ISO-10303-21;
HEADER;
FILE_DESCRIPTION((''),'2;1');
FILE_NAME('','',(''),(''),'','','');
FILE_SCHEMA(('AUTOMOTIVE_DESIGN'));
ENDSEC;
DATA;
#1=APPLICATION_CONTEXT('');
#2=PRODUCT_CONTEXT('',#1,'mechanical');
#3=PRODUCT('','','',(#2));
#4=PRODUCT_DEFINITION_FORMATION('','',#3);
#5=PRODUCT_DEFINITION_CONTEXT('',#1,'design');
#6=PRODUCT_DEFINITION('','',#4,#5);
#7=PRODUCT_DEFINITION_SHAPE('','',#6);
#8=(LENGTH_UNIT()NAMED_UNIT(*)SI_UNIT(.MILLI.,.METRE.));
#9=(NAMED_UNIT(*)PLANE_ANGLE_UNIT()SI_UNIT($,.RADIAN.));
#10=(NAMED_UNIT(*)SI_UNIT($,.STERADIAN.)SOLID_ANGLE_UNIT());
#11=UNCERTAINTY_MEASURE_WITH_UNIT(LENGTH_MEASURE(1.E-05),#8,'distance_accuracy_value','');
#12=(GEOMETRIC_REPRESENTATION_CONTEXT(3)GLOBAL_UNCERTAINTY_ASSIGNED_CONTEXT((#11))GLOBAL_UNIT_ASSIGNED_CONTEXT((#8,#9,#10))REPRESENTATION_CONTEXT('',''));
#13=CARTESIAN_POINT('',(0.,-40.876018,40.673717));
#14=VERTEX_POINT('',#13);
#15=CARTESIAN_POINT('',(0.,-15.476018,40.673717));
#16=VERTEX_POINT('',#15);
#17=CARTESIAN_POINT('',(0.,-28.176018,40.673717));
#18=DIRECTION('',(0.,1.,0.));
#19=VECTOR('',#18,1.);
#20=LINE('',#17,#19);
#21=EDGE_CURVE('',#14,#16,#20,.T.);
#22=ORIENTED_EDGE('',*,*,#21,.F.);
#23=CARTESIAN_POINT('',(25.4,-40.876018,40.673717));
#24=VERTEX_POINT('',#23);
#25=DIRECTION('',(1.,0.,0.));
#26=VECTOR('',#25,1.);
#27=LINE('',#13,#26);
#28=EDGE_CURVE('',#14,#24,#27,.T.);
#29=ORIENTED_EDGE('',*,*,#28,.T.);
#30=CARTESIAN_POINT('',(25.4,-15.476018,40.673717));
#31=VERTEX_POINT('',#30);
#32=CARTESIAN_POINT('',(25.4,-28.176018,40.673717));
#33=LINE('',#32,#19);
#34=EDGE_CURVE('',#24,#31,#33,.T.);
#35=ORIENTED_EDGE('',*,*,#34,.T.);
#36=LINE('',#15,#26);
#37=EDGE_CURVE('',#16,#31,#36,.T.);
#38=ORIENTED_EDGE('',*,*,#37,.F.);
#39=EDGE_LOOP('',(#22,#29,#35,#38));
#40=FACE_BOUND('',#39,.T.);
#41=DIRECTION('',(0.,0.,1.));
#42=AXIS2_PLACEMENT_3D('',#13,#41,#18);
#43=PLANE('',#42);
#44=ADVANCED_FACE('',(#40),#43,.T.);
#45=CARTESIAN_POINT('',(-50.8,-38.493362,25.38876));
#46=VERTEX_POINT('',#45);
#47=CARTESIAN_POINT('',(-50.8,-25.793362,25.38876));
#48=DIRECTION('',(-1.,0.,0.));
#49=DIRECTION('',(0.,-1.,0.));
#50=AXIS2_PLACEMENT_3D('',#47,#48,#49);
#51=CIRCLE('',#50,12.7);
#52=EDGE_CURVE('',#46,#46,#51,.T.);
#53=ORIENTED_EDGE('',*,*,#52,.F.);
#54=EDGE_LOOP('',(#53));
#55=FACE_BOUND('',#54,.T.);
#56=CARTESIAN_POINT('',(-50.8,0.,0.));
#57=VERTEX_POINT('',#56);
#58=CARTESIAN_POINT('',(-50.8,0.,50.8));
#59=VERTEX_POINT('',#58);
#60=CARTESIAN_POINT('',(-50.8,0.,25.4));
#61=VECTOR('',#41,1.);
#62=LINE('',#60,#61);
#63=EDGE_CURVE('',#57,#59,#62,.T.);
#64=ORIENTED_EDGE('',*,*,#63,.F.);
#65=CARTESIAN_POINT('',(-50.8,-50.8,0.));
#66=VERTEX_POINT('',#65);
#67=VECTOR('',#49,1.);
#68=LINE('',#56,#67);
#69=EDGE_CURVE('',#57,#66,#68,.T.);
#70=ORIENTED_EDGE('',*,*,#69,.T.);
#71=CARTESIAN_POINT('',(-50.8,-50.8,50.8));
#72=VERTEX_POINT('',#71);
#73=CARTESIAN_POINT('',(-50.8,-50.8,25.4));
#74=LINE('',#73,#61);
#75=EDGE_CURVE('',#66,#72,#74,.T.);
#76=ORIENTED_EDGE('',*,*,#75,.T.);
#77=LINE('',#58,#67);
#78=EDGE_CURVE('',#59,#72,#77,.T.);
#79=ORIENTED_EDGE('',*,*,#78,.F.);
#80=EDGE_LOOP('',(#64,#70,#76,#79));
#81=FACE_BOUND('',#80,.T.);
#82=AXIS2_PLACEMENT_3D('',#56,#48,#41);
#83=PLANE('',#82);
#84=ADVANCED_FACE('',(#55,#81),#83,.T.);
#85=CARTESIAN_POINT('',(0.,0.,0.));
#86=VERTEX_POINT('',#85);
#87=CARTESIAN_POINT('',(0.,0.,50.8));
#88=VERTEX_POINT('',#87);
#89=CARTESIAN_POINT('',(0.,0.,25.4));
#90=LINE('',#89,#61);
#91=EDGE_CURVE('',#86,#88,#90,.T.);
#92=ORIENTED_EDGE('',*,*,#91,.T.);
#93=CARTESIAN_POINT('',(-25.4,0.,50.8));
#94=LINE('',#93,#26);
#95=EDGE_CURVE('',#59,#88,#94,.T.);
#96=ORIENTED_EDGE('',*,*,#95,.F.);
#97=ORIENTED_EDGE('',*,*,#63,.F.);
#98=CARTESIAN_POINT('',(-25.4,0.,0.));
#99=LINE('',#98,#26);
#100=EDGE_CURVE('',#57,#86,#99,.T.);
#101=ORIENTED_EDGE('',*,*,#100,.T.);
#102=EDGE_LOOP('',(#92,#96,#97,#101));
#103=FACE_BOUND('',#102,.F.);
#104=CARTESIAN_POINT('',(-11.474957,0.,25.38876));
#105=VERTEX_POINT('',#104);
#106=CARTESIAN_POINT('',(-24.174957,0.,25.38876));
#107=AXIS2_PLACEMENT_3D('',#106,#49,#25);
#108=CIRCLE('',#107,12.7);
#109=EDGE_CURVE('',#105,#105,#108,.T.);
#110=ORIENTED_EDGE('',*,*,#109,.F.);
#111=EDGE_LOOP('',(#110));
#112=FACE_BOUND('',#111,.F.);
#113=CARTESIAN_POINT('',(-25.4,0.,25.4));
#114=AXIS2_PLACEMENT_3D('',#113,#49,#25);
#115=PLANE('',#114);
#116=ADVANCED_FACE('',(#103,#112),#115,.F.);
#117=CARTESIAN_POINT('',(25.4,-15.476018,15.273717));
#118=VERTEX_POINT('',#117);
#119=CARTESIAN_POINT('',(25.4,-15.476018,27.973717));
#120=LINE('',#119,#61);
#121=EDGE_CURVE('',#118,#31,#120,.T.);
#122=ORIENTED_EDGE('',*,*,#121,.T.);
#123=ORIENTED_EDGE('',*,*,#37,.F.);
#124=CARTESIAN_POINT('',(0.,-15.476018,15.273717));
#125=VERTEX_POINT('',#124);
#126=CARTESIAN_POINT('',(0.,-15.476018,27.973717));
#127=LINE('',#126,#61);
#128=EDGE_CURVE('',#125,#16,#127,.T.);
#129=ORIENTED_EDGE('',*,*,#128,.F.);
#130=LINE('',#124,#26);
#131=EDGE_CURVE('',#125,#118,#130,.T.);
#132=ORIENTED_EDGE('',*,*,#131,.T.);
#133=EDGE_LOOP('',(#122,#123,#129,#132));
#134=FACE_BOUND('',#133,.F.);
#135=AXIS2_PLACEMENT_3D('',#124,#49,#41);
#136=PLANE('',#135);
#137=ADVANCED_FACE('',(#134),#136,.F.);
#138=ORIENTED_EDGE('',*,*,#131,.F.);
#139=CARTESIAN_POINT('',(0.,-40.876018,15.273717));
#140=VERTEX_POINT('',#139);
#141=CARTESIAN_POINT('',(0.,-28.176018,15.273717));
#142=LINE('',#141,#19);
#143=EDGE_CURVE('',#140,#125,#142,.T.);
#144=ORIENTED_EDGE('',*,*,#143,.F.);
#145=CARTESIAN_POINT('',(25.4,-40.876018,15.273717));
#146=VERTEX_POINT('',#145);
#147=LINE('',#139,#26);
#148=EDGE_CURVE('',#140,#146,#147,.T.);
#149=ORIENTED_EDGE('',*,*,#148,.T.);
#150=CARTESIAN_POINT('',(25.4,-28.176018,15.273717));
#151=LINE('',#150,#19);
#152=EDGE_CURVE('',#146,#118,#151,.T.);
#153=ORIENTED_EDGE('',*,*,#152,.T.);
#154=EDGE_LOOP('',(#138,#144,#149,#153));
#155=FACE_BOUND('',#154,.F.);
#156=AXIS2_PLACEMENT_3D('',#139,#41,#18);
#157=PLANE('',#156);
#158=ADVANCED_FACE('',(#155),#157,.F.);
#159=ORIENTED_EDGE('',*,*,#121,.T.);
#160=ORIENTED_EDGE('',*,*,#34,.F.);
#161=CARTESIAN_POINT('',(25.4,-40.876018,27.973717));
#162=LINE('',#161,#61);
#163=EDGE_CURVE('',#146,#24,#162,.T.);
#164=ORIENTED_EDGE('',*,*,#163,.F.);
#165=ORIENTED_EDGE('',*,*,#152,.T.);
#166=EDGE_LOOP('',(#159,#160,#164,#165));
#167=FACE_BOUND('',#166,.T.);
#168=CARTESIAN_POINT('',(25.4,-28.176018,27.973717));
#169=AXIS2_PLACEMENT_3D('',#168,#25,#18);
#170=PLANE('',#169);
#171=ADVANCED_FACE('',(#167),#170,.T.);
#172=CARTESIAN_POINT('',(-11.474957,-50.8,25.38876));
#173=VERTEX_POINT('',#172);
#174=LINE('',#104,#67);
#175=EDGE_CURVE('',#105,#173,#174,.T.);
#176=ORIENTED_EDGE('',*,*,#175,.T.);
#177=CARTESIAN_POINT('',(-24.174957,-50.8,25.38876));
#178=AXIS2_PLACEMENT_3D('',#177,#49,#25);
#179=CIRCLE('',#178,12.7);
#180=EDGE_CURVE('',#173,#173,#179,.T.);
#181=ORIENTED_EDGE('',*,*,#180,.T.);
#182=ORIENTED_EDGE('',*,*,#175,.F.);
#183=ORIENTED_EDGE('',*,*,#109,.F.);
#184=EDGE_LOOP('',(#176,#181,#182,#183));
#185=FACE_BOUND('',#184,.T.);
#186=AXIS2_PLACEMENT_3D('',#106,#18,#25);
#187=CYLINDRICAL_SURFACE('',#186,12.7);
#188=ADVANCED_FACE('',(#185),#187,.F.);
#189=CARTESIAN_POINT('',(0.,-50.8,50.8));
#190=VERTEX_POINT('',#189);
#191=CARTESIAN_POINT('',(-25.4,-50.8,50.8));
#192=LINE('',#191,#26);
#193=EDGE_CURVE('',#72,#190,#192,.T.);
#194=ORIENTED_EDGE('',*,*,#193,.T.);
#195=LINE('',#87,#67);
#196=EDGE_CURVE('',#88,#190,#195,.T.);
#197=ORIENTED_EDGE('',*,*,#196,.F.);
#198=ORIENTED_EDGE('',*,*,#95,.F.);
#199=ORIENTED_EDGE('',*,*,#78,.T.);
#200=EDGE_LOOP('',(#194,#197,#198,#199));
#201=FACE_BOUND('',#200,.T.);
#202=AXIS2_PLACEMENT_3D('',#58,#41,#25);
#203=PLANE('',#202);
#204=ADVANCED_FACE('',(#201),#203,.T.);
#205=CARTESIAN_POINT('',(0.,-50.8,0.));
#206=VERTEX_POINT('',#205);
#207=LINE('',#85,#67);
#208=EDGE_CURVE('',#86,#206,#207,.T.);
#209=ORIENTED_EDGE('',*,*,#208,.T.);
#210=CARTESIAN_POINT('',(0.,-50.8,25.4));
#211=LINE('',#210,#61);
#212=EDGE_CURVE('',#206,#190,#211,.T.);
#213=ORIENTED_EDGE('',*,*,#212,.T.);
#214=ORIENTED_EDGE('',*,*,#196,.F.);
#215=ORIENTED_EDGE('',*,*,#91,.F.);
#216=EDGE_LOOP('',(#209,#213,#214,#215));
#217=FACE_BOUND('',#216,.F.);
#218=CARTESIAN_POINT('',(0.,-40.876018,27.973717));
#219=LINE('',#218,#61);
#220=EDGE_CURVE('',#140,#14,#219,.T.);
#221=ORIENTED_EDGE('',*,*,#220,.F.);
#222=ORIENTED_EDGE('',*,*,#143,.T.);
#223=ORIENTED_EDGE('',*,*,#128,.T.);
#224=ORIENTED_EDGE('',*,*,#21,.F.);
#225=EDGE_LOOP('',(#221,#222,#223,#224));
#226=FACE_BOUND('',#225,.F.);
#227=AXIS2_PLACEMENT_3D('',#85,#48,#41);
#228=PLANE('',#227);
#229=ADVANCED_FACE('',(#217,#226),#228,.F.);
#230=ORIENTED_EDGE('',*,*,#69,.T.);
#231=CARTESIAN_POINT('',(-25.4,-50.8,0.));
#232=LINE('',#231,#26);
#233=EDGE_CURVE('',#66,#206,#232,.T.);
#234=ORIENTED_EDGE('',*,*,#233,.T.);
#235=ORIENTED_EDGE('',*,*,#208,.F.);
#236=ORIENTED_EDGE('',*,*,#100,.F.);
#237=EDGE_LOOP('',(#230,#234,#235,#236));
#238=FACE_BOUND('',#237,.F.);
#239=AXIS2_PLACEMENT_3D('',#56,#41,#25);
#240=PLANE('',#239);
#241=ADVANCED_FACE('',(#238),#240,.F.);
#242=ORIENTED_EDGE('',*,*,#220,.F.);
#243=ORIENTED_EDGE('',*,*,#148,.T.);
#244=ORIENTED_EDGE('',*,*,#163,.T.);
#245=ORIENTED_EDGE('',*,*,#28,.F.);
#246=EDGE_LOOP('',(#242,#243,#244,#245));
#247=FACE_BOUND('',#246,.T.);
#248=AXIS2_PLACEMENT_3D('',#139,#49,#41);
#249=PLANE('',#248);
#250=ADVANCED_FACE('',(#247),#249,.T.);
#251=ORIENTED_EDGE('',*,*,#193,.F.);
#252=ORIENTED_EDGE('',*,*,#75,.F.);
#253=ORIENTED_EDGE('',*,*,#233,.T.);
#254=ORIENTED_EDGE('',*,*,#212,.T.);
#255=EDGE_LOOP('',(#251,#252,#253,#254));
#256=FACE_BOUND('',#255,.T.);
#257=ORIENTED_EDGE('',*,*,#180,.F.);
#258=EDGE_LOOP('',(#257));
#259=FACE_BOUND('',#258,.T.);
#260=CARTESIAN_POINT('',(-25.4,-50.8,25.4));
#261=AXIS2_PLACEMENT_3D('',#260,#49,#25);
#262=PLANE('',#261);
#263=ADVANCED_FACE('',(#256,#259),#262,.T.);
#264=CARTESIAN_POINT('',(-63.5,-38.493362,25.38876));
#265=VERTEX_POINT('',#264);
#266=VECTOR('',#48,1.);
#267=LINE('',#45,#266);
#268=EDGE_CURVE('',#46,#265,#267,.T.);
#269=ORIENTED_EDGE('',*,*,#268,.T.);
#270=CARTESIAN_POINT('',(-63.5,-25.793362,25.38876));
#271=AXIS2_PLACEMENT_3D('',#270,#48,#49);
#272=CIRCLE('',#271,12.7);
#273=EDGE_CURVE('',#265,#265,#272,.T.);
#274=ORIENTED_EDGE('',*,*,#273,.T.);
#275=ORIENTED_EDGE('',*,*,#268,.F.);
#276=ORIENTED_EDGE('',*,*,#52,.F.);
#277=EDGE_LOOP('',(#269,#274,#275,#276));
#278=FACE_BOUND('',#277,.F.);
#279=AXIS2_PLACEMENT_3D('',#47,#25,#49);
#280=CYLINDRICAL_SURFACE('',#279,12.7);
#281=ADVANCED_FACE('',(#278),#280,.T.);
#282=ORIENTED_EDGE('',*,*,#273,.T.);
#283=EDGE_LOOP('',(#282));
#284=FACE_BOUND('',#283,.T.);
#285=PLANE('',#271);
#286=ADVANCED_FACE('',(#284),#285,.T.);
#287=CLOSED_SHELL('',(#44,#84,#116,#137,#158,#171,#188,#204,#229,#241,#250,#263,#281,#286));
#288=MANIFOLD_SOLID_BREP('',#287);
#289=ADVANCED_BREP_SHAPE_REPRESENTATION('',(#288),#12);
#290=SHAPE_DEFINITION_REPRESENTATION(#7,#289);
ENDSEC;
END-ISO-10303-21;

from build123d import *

# Parameters (mm, degrees)
F0_W     = 50.8
F0_H     = 50.8
F2_DEPTH = 50.8
F1_R     = 12.7
F3_DEPTH = 50.8
F4_R     = 12.7
F5_DEPTH = 12.7
F6_W     = 25.4
F6_H     = 25.4
F7_DEPTH = 25.4


with BuildPart() as f2:
    # F0 (on Front) → F2 (new body)
    with BuildSketch(Plane.XZ):
        with Locations((-25.4, 25.4)):
            Rectangle(F0_W, F0_H)
    extrude(amount=F2_DEPTH)

    # F1 (on Front) → F3 (cut)
    with BuildSketch(Plane.XZ):
        with Locations((-24.174957, 25.38876)):
            Circle(F1_R)
    extrude(amount=F3_DEPTH, mode=Mode.SUBTRACT)

    # F4 (on face) → F5 (join)
    with BuildSketch(Plane(origin=(-50.8, 0, 0), x_dir=(0, -1, 0), z_dir=(-1, 0, 0))):
        with Locations((25.793362, 25.38876)):
            Circle(F4_R)
    extrude(amount=F5_DEPTH)

    # F6 (on Right) → F7 (join)
    with BuildSketch(Plane.YZ):
        with Locations((-28.176018, 27.973717)):
            Rectangle(F6_W, F6_H)
    extrude(amount=F7_DEPTH)


solid = f2.part
